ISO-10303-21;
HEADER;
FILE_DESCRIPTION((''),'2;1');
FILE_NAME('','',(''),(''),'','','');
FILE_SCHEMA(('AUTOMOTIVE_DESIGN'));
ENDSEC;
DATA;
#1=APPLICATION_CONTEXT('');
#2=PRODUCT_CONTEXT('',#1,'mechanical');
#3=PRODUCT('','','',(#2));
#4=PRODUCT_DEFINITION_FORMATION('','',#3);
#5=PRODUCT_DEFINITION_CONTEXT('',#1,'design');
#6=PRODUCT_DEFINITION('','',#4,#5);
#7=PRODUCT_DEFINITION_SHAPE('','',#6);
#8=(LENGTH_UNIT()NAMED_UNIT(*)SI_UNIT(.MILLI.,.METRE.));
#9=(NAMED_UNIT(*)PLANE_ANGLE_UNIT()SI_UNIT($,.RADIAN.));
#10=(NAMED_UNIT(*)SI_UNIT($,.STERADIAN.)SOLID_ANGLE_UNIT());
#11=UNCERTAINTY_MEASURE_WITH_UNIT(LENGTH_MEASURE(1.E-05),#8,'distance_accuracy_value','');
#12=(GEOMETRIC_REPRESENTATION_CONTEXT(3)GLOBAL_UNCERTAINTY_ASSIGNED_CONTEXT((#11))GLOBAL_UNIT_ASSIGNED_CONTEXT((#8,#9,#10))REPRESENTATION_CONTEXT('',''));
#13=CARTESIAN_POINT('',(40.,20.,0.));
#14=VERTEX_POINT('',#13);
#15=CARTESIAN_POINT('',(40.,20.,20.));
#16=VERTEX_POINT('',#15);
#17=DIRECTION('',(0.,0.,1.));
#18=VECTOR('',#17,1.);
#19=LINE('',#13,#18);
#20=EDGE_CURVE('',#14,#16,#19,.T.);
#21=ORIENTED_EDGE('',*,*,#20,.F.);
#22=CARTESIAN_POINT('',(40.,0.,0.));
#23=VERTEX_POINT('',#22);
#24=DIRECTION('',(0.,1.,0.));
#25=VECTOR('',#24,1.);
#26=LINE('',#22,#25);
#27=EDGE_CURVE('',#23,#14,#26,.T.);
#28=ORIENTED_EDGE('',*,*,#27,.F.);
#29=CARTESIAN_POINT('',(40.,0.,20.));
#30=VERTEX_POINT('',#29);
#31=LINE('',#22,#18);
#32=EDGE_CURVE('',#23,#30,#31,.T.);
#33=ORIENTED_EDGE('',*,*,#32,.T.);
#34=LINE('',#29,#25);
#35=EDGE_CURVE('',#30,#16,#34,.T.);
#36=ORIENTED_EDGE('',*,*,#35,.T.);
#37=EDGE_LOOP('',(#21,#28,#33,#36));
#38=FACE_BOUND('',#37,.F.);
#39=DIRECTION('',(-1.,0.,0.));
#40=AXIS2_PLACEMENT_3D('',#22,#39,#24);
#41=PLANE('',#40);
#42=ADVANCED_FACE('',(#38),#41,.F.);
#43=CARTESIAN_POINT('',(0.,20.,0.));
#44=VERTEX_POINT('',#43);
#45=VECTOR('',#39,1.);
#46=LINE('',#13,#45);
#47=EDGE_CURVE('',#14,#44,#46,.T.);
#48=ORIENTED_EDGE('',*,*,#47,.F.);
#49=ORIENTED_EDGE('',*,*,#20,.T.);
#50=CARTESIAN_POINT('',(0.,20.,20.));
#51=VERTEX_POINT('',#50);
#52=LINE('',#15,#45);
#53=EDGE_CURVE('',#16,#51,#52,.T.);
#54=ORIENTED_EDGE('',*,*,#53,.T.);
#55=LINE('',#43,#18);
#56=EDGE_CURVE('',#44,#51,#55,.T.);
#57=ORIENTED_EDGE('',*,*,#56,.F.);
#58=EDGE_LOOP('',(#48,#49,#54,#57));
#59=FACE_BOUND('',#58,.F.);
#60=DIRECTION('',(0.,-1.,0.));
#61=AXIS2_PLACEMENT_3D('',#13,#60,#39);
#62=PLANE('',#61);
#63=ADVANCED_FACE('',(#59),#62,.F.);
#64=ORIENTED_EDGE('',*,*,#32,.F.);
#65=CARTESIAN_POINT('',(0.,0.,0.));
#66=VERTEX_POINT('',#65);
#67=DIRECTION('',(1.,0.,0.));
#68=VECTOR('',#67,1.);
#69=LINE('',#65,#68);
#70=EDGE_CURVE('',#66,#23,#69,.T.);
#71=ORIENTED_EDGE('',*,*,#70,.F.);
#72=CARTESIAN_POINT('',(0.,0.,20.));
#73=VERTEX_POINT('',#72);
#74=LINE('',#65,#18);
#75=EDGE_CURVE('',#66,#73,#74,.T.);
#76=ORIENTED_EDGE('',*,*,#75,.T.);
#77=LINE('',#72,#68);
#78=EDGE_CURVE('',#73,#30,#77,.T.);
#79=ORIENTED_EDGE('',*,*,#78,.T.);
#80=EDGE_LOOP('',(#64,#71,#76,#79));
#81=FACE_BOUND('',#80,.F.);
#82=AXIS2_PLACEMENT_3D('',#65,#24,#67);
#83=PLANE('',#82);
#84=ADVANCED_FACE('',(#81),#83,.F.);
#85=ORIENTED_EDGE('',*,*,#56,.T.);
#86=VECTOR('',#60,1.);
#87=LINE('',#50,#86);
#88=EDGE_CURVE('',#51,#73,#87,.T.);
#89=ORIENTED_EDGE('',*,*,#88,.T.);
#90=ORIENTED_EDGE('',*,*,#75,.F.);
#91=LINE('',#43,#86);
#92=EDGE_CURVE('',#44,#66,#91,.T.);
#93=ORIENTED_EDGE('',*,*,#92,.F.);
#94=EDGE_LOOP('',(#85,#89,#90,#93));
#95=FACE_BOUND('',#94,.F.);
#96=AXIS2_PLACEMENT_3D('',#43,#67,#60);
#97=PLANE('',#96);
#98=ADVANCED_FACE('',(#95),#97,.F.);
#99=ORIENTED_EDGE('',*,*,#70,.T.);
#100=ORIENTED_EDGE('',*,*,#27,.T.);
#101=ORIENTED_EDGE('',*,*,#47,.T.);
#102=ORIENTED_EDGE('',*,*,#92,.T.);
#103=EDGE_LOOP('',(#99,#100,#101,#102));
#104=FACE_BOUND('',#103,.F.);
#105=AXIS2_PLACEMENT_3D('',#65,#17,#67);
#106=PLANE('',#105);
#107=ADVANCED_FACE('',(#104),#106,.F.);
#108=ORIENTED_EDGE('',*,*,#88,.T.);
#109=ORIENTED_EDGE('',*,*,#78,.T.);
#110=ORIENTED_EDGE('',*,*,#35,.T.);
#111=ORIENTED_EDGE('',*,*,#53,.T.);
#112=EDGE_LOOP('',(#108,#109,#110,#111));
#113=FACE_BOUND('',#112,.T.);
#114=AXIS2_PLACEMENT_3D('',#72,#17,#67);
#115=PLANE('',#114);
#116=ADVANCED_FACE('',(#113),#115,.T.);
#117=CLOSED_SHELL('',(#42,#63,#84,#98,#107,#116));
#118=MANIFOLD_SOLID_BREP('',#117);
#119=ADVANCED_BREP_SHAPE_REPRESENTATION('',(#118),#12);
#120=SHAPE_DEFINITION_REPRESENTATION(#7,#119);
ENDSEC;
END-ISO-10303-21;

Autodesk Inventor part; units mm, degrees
ref_plane "YZ Plane" through (0, 0, 0) normal (1, 0, 0) x (0, 1, 0)
ref_plane "XZ Plane" through (0, 0, 0) normal (0, 1, 0) x (-1, 0, 0)
ref_plane "XY Plane" through (0, 0, 0) normal (0, 0, 1) x (1, 0, 0)
sketch "Sketch1" plane through (0, 0, 0) normal (0, 0, 1) x (1, 0, 0)
  line L0 (0, 0) -> (40, 0)
  line L1 (40, 0) -> (40, 20)
  line L2 (40, 20) -> (0, 20)
  line L3 (0, 20) -> (0, 0)
extrude "Extrusion1" add sketch "Sketch1" along normal blind 20
sketch "Sketch2" plane through (0, 0, 0) normal (0, 0, 1) x (1, 0, 0)
  point P0 (20, 10)
hole "Hole1" at (20, 10, 0) direction (0, 0, -1) diameter 10 end through all
properties part number "19_box_hole"
